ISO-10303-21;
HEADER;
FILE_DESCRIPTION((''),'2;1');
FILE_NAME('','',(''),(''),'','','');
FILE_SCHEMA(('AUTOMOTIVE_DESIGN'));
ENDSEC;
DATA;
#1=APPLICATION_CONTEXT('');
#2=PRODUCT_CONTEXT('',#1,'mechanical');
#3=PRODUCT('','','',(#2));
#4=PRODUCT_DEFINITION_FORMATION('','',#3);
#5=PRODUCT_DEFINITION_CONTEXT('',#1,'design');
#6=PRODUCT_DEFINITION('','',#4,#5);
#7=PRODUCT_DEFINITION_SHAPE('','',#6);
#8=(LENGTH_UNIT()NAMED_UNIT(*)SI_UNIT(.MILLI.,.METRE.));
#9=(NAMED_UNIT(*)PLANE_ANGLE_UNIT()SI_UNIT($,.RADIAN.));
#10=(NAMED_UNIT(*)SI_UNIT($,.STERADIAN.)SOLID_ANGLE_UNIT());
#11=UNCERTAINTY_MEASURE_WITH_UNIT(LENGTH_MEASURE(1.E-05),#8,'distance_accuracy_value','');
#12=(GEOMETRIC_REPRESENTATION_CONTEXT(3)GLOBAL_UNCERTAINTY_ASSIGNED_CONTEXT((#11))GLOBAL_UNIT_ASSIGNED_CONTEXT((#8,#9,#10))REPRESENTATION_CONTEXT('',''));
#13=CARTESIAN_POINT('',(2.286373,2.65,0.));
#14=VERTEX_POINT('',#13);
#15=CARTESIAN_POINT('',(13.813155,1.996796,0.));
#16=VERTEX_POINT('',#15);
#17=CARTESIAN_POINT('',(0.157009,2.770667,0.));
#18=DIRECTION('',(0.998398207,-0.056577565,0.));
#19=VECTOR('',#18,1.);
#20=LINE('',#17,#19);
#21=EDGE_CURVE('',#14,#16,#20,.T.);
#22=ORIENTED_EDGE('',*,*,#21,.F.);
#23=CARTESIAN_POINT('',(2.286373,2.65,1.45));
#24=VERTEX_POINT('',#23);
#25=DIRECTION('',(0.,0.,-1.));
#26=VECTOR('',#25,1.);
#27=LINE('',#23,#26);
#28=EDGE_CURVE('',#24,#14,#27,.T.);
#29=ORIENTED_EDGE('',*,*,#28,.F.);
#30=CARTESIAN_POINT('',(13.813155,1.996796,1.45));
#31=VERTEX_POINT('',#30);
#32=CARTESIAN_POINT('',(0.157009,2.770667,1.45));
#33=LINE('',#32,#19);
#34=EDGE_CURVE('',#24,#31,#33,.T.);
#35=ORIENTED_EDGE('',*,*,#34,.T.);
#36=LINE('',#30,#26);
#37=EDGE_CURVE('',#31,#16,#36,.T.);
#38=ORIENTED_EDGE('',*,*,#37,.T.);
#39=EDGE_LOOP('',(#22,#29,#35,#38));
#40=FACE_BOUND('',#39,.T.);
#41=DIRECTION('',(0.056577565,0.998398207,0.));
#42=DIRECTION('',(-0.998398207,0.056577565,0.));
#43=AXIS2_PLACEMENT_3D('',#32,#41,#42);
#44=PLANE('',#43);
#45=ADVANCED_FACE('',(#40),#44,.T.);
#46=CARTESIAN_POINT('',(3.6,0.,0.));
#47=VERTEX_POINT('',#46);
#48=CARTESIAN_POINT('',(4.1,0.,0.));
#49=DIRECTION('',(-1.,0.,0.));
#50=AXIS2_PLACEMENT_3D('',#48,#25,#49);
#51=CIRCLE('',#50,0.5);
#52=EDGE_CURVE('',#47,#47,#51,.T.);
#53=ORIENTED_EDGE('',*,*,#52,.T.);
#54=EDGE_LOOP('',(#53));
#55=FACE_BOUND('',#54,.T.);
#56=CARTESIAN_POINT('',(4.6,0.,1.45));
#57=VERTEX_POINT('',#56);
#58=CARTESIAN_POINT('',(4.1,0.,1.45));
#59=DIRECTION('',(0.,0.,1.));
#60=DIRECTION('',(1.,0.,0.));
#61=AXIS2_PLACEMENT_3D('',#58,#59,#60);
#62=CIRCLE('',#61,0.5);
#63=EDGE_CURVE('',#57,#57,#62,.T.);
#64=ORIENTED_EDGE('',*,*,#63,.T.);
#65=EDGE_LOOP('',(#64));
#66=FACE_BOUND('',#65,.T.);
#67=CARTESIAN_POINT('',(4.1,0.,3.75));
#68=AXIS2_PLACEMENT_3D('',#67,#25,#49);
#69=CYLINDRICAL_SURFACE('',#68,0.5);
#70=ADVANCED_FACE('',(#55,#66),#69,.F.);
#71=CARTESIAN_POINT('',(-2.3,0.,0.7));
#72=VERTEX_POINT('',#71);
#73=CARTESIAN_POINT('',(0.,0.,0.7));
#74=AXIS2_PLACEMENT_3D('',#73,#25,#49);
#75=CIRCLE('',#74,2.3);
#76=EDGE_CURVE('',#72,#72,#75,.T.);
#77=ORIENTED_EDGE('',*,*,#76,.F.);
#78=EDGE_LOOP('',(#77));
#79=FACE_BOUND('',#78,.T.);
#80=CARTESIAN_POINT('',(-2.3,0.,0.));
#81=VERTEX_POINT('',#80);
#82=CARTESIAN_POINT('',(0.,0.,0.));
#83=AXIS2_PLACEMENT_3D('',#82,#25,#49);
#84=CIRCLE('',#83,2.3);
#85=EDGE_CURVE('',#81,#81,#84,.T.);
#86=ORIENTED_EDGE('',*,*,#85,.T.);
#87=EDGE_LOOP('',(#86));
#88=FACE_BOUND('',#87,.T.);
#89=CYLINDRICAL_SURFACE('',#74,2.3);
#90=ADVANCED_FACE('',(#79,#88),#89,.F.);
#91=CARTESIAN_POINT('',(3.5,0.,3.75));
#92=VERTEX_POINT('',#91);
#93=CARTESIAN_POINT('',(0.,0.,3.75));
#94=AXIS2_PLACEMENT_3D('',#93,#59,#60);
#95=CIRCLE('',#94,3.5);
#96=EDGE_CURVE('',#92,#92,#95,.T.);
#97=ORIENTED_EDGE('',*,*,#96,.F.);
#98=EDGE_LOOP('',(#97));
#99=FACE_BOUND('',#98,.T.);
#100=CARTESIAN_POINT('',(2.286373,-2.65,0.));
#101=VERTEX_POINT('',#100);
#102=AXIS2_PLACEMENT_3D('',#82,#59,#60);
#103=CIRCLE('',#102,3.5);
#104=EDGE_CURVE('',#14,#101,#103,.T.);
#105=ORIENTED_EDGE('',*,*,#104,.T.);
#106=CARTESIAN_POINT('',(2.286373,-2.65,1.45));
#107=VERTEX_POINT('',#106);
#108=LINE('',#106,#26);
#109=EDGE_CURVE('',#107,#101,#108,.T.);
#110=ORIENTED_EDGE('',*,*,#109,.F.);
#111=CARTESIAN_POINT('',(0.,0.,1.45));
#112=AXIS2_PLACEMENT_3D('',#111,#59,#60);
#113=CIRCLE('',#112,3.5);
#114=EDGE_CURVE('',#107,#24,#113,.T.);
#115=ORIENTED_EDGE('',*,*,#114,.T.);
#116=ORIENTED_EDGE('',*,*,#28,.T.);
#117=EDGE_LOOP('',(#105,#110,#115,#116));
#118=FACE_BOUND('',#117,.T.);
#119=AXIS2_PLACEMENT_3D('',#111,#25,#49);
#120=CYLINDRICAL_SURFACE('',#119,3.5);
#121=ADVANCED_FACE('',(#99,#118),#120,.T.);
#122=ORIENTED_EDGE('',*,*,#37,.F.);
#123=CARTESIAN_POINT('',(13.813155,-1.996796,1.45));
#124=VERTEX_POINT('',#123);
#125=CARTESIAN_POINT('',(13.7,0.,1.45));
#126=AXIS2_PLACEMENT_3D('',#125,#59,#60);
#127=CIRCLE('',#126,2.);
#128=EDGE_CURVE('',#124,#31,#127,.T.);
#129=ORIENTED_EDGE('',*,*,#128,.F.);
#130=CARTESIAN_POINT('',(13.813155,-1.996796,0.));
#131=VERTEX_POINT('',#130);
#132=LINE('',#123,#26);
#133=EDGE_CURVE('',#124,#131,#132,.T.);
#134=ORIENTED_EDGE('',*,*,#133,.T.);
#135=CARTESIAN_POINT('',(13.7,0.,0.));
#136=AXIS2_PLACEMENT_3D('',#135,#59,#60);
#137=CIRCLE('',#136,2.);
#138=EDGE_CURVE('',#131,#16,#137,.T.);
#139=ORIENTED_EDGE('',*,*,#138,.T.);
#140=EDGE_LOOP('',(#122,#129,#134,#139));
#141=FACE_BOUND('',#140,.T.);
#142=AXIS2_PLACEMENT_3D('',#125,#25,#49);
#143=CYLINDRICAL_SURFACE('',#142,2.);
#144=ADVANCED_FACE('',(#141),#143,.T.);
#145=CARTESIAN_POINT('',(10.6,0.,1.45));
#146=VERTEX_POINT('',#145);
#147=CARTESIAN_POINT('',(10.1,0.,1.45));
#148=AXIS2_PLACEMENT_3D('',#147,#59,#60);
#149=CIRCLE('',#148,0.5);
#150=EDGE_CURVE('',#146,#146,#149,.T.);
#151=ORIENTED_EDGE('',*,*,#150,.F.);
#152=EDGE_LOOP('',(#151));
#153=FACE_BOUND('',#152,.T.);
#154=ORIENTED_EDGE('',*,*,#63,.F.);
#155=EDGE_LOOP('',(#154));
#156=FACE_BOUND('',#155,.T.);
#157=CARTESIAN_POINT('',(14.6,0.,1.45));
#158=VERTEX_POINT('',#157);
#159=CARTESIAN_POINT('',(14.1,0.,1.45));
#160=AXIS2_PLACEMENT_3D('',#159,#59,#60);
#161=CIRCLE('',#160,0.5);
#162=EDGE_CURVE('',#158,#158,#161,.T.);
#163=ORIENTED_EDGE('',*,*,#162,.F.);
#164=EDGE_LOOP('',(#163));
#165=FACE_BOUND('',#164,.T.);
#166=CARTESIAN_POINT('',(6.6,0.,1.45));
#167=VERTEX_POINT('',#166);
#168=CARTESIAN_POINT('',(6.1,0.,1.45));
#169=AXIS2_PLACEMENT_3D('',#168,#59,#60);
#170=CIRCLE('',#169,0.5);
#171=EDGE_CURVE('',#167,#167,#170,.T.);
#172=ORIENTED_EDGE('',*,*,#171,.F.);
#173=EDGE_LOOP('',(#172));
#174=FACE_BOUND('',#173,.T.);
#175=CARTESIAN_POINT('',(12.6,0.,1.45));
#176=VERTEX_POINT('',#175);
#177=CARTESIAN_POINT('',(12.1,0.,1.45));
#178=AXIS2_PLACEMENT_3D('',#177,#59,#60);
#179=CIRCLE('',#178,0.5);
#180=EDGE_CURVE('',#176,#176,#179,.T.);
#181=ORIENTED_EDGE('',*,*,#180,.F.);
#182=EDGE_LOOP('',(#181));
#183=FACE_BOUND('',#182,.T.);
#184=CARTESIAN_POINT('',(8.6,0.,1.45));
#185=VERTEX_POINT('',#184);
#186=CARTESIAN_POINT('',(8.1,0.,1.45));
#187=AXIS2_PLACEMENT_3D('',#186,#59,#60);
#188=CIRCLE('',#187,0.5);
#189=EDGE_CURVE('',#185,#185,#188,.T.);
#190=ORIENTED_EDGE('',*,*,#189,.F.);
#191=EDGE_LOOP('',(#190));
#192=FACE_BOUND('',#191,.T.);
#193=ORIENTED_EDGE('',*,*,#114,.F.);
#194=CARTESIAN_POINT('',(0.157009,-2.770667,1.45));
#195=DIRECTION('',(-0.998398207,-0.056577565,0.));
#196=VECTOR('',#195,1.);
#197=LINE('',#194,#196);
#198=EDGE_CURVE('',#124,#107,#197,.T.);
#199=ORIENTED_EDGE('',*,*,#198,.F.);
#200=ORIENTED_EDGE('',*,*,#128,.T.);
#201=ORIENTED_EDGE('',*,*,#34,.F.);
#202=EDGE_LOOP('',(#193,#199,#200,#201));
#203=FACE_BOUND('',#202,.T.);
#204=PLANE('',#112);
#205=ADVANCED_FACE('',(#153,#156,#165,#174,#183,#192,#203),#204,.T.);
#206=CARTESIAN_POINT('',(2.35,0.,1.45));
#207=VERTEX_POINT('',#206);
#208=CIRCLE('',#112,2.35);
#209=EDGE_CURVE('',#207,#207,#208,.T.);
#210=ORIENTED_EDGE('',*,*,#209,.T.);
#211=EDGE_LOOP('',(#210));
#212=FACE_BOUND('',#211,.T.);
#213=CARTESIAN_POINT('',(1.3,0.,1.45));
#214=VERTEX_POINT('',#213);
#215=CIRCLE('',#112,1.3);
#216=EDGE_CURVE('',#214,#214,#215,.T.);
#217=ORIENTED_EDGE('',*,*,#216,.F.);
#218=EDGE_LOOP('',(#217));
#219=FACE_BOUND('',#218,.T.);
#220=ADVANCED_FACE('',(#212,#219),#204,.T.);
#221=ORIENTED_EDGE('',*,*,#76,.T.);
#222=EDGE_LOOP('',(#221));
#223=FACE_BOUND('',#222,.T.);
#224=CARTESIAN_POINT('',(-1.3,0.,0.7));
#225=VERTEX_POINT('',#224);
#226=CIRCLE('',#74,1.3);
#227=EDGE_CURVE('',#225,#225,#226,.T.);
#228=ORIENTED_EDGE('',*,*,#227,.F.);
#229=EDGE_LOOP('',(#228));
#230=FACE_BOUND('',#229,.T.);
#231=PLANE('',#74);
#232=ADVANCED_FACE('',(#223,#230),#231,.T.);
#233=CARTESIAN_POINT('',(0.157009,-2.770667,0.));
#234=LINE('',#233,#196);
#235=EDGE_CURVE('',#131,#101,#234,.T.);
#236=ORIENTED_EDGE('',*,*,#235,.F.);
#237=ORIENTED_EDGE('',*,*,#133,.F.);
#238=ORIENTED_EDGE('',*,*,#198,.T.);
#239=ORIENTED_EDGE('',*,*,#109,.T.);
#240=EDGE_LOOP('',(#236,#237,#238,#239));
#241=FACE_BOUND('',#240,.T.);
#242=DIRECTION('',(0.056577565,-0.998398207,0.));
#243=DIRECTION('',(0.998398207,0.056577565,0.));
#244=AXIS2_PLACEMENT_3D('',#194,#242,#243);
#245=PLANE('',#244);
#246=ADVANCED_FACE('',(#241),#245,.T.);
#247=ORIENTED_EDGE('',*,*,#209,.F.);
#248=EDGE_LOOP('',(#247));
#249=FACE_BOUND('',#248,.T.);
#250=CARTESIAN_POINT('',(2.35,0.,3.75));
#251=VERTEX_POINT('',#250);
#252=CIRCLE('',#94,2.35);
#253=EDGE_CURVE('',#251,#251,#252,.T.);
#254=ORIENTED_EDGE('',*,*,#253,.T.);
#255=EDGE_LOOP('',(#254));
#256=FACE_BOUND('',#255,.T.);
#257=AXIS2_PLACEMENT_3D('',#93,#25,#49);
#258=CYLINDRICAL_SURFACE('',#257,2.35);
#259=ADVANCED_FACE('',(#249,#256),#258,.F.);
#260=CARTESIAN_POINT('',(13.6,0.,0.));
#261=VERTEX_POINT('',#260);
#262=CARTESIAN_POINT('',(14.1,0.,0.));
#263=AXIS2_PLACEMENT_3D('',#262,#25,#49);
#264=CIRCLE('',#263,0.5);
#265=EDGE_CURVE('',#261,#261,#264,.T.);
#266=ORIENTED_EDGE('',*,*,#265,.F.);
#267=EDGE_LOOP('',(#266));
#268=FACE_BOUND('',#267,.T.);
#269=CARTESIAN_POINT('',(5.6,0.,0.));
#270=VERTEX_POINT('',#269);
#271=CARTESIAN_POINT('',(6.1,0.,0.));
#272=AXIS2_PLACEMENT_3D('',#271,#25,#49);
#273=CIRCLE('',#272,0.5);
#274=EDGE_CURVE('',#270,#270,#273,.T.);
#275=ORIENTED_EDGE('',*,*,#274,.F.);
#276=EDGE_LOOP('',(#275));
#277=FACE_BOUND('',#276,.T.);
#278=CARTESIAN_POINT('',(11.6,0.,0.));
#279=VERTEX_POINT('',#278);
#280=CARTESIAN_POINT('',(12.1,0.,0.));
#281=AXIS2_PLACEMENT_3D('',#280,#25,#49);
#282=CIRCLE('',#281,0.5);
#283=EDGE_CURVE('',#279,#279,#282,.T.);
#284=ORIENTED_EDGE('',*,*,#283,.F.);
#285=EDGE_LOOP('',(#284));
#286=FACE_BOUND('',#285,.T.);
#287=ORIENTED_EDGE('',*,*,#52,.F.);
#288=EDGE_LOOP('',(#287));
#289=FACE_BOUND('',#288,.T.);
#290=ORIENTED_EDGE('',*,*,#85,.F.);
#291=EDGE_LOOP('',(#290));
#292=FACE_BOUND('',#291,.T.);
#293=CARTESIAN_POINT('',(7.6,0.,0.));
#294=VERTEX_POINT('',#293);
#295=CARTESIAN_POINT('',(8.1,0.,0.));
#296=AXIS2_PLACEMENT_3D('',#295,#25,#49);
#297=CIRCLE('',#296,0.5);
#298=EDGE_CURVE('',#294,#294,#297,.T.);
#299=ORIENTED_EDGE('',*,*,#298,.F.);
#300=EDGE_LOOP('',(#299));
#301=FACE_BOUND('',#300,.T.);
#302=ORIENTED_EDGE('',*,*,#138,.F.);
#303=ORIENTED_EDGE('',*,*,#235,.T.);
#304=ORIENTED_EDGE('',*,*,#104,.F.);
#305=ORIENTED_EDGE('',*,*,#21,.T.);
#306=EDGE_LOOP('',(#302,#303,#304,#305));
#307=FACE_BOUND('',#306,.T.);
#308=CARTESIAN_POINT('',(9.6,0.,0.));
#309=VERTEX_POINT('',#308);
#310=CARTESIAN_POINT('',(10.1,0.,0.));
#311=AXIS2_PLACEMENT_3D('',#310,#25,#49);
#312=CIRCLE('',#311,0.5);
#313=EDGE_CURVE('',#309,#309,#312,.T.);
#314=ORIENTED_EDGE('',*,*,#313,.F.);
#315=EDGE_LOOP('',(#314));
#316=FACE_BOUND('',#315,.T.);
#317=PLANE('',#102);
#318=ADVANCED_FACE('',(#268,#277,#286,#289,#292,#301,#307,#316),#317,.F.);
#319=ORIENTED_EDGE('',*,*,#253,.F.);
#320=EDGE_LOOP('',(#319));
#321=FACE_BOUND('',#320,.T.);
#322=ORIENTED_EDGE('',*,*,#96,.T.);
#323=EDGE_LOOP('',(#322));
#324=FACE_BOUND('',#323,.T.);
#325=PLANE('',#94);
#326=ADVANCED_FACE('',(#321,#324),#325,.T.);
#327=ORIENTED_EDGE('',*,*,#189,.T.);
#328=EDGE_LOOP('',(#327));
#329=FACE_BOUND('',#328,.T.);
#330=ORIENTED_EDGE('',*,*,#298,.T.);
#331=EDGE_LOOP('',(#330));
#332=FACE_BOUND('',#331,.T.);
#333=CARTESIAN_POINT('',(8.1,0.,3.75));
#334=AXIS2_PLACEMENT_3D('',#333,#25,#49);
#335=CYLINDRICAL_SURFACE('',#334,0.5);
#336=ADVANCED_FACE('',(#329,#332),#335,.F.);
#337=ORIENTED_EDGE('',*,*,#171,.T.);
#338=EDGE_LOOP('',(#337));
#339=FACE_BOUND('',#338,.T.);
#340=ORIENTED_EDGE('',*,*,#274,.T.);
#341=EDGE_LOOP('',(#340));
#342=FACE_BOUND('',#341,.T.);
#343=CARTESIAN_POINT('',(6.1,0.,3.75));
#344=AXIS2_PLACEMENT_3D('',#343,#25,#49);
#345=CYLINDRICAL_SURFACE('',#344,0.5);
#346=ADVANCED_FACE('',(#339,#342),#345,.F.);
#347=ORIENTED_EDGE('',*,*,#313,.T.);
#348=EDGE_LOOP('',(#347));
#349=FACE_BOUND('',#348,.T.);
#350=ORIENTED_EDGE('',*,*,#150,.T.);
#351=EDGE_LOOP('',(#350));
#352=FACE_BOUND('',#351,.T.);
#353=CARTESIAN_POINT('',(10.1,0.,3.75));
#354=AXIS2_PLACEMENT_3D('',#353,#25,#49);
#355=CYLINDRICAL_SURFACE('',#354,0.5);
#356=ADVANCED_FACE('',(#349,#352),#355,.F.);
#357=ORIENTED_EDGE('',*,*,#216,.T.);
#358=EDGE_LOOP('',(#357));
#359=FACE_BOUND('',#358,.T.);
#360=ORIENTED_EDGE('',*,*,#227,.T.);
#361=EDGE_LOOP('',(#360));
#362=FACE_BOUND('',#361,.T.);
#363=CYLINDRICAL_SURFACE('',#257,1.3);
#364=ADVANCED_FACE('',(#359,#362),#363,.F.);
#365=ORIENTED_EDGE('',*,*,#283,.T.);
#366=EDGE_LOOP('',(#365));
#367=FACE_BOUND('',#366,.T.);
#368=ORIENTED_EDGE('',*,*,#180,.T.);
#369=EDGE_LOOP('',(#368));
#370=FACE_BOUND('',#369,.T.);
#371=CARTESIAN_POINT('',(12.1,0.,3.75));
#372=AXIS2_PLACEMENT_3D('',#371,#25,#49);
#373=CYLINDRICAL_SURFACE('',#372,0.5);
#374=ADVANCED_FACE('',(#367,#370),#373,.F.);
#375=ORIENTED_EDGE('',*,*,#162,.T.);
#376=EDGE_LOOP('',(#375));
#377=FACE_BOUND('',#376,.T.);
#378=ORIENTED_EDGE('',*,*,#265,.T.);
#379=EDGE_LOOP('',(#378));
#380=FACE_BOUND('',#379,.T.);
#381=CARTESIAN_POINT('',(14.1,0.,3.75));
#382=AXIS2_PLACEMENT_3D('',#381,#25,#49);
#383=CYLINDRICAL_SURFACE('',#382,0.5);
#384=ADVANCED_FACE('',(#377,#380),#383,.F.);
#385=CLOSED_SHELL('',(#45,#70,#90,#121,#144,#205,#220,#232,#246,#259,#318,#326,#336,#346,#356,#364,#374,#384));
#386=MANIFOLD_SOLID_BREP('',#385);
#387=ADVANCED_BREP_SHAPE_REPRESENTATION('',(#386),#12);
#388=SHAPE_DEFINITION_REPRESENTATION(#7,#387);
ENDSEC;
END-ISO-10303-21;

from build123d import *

# Parameters (mm, degrees)
SKETCH_1_R             = 2.775112647
SKETCH_1_R_2           = 2
SKETCH_1_R_3           = 3.5
EXTRUDE_1_DEPTH        = 1.45
SKETCH_2_R             = 3.5
SKETCH_2_R_2           = 2.35
EXTRUDE_2_DEPTH        = 2.3
SKETCH_3_R             = 2.3
CUT_EXTRUDE_1_DEPTH    = 0.7
SKETCH_4_R             = 1.3
CUT_EXTRUDE_2_DEPTH    = 17.372003543
SKETCH_5_R             = 0.5
CUT_EXTRUDE_3_DEPTH    = 17.516733939
PATTERN_LINEAR_1_COUNT = 6
PATTERN_LINEAR_1_PITCH = 2


with BuildPart() as part:
    # 草图1 → 凸台-拉伸1 (new body)
    with BuildSketch(Plane.XY):
        with BuildLine():
            Line((0.157009161, 2.770667488), (-1.972354438, 2.891334981))
            ThreePointArc((-1.972354438, 2.891334981), (-3.5, 0), (-1.972354438, -2.891334981))
            Line((-1.972354438, -2.891334981), (0.1570091, -2.770667491))
            ThreePointArc((0.1570091, -2.770667491), (-2.775112647, 3.1e-08), (0.157009161, 2.770667488))
        make_face()
        with BuildLine():
            Line((2.286372673, 2.65), (0.157009161, 2.770667488))
            ThreePointArc((0.157009161, 2.770667488), (2.017048378, 1.905981649), (2.775112647, 0))
            ThreePointArc((2.775112647, 0), (2.017048356, -1.905981672), (0.1570091, -2.770667491))
            Line((0.1570091, -2.770667491), (2.286372673, -2.65))
            ThreePointArc((2.286372673, -2.65), (3.182161557, -1.457342726), (3.5, 0))
            ThreePointArc((3.5, 0), (3.182161557, 1.457342726), (2.286372673, 2.65))
        make_face()
        Circle(SKETCH_1_R)
        with BuildLine():
            ThreePointArc((2.286372673, 2.65), (0.198021479, 3.494393723), (-1.972354438, 2.891334981))
            Line((-1.972354438, 2.891334981), (0.157009161, 2.770667488))
            Line((0.157009161, 2.770667488), (2.286372673, 2.65))
        make_face()
        with BuildLine():
            Line((0.1570091, -2.770667491), (-1.972354438, -2.891334981))
            ThreePointArc((-1.972354438, -2.891334981), (0.198021479, -3.494393723), (2.286372673, -2.65))
            Line((2.286372673, -2.65), (0.1570091, -2.770667491))
        make_face()
        with BuildLine():
            Line((13.813155138, 1.996796413), (2.286372673, 2.65))
            ThreePointArc((2.286372673, 2.65), (3.182161557, 1.457342726), (3.5, 0))
            ThreePointArc((3.5, 0), (3.182161557, -1.457342726), (2.286372673, -2.65))
            Line((2.286372673, -2.65), (13.813155123, -1.996796414))
            ThreePointArc((13.813155123, -1.996796414), (11.7, 8e-09), (13.813155138, 1.996796413))
        make_face()
        with Locations((13.7, 0)):
            Circle(SKETCH_1_R_2)
        Circle(SKETCH_1_R_3)
    extrude(amount=EXTRUDE_1_DEPTH)

    # 草图2 → 凸台-拉伸2 (add)
    with BuildSketch(Plane.XY.offset(1.45)):
        with Locations(Location((0, 0, 0), (0, 0, 310.787038193))):
            Circle(SKETCH_2_R)
        Circle(SKETCH_2_R_2, mode=Mode.SUBTRACT)
    extrude(amount=EXTRUDE_2_DEPTH)

    # 草图3 → 切除-拉伸1 (cut)
    with BuildSketch(Plane(origin=(0, 0, 0), x_dir=(-1, 0, 0), z_dir=(0, 0, -1))):
        Circle(SKETCH_3_R)
    extrude(amount=-CUT_EXTRUDE_1_DEPTH, mode=Mode.SUBTRACT)

    # 草图4 → 切除-拉伸2 (cut, through all)
    with BuildSketch(Plane(origin=(0, 0, 0.7), x_dir=(-1, 0, 0), z_dir=(0, 0, -1))):
        Circle(SKETCH_4_R)
    extrude(amount=-CUT_EXTRUDE_2_DEPTH, mode=Mode.SUBTRACT)

    # 草图5 → 切除-拉伸3 (cut, through all)
    with BuildSketch(Plane(origin=(0, 0, 0), x_dir=(-1, 0, 0), z_dir=(0, 0, -1))):
        with Locations((-14.1, 0)):
            Circle(SKETCH_5_R)
    cut_extrude_3 = extrude(amount=-CUT_EXTRUDE_3_DEPTH, mode=Mode.SUBTRACT)

    # 阵列(线性)1: 切除-拉伸3 ×6
    with Locations(*[(-i * PATTERN_LINEAR_1_PITCH, 0, 0) for i in range(1, PATTERN_LINEAR_1_COUNT)]):
        add(cut_extrude_3, mode=Mode.SUBTRACT)


solid = part.part
